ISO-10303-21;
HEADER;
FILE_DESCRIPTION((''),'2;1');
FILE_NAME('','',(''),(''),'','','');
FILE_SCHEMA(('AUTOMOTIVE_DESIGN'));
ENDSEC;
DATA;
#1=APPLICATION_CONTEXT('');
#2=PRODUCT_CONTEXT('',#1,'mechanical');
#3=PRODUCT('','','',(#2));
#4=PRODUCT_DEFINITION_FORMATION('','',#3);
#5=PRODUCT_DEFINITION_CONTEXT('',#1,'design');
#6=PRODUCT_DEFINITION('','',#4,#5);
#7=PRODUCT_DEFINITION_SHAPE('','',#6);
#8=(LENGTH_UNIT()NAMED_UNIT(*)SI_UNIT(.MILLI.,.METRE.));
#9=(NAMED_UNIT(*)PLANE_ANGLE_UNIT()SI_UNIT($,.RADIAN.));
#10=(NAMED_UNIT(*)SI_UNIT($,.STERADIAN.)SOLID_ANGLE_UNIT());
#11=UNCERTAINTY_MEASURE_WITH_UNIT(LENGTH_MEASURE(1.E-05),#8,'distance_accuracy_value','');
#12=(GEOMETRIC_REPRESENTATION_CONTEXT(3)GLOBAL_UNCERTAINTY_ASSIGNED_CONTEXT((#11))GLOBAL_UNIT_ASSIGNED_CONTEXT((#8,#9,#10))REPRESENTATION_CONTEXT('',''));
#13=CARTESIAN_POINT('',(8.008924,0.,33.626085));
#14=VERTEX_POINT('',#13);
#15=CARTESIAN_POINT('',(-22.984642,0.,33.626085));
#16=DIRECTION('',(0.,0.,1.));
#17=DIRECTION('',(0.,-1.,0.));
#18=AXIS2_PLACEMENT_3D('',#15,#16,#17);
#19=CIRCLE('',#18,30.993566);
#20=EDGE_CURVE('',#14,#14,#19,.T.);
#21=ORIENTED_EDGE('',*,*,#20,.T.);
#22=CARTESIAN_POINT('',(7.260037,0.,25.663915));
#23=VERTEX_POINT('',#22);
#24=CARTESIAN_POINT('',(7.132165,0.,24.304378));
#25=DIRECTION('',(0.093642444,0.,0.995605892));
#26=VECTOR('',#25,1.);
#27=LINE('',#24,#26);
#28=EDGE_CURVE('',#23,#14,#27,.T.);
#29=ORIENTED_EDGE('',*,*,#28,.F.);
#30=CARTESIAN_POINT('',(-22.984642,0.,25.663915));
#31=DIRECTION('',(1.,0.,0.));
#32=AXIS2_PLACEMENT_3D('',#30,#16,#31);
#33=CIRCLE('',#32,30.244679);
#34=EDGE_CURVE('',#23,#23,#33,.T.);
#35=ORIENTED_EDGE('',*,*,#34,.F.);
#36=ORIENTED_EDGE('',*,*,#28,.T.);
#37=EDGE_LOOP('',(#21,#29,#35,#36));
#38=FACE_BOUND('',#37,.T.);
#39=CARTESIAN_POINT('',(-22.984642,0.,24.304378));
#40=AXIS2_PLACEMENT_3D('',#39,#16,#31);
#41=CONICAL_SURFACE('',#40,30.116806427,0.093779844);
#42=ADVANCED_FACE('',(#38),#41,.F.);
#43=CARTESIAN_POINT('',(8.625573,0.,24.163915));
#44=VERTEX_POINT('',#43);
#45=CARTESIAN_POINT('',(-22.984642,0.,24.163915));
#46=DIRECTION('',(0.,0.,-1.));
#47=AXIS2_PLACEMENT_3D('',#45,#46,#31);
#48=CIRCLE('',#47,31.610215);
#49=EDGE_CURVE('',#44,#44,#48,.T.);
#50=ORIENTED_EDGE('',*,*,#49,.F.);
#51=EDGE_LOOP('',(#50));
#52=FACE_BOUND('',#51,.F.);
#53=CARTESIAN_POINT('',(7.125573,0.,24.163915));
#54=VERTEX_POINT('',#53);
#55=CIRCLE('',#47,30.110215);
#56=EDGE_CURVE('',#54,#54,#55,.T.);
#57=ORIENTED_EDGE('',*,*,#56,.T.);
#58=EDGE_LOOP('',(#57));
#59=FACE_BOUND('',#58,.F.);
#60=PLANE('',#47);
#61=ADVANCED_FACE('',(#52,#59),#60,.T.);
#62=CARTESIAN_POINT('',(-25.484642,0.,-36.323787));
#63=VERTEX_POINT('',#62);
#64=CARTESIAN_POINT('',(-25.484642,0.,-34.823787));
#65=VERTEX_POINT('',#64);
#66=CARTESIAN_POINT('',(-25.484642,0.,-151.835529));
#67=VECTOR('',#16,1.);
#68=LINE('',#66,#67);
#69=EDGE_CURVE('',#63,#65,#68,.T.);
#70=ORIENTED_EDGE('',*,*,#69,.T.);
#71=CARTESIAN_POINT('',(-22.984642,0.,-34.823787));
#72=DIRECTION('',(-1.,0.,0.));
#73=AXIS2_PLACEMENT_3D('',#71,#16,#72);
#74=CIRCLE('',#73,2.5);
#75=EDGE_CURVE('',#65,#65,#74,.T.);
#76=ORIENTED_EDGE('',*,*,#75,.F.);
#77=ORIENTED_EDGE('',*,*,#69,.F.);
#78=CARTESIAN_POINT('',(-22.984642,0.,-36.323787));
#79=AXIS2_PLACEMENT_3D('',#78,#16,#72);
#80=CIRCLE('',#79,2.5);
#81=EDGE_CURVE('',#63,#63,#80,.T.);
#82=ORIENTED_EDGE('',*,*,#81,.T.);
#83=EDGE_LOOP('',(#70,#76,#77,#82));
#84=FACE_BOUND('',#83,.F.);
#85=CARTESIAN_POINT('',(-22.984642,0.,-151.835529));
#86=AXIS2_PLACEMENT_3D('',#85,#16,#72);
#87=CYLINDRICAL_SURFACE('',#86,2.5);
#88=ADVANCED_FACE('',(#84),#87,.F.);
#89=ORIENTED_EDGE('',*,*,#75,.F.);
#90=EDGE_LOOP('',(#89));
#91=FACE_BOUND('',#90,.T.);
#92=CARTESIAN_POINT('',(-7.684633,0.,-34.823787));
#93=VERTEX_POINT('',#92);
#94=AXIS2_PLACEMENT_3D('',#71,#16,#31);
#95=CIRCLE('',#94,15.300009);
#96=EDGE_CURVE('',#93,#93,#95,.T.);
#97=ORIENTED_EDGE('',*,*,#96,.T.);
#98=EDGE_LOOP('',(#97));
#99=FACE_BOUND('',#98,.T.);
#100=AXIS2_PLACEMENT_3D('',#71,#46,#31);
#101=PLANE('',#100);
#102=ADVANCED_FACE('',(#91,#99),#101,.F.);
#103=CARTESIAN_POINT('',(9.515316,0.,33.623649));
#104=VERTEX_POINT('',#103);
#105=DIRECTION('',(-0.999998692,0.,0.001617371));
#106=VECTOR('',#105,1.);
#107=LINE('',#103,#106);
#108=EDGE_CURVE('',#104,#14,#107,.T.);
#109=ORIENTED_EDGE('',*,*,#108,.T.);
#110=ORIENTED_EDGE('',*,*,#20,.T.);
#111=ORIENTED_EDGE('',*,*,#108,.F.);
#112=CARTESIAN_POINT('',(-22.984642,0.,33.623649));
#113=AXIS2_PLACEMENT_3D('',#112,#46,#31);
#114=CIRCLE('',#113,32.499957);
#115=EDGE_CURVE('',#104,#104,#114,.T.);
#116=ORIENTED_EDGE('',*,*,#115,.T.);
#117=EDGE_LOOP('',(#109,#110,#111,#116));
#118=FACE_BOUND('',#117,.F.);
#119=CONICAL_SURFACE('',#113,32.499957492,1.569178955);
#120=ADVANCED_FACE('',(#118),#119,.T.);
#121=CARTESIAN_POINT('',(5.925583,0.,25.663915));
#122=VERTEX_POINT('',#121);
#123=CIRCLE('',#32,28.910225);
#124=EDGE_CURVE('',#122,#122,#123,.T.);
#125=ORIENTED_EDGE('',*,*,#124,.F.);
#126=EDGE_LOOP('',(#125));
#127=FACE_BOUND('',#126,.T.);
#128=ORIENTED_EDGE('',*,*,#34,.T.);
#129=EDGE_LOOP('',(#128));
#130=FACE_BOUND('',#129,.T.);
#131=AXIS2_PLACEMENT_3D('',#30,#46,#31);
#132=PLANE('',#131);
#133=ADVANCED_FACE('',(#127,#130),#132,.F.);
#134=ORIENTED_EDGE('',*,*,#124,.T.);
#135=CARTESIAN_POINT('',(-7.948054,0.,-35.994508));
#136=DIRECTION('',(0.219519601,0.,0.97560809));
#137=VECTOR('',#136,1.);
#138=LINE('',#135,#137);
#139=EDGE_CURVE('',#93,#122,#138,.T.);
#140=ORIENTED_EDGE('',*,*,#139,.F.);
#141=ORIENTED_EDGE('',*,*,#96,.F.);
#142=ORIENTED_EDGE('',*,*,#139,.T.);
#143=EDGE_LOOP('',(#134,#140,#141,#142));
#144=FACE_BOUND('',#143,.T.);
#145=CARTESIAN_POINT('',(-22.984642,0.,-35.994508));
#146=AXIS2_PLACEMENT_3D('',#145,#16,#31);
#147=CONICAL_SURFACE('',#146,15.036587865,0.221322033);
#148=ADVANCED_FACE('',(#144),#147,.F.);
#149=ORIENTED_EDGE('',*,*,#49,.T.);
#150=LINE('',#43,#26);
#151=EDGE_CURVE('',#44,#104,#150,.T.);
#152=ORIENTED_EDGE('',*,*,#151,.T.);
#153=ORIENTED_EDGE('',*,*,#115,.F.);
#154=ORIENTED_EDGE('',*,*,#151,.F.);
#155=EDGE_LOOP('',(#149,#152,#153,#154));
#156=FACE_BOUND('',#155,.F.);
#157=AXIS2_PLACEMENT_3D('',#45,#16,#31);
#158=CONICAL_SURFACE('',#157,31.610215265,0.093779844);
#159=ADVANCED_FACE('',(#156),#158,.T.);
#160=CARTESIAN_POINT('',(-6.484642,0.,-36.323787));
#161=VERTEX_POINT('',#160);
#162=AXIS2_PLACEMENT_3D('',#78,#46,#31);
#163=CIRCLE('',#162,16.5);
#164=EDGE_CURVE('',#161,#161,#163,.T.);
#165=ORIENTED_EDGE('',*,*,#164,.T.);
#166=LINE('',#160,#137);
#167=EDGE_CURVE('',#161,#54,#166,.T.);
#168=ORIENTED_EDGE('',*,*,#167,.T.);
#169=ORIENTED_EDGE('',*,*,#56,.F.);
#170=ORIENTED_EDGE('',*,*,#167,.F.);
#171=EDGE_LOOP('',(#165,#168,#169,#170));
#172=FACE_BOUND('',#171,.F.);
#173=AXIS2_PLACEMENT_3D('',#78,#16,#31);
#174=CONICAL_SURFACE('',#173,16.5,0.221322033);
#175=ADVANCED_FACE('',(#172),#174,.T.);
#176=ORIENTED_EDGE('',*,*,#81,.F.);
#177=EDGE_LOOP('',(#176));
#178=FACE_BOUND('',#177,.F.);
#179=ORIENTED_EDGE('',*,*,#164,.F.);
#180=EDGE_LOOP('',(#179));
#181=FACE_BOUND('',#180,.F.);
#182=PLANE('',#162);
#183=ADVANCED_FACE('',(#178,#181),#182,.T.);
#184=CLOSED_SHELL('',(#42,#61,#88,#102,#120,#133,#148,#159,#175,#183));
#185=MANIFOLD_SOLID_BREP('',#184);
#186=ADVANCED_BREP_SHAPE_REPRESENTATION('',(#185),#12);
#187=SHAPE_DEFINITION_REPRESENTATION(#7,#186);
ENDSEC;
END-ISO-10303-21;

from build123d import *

# Parameters (mm, degrees)
F2_T = -1.5
F4_D = 5


with BuildPart() as f1:
    # F0 (on Front) → F1 (revolve)
    with BuildSketch(Plane.XZ):
        Polygon((-22.9846419008, 33.67621309), (-22.9846419008, -36.32378691), (-6.4846419008, -36.32378691), (7.1255733644, 24.1639146534), (8.6255733644, 24.1639146534), (9.515315591, 33.62364854), align=None)
    revolve(axis=Axis((-22.9846419008, 0, -1.32378691), (0, 0, -1)))

    # F2
    f2_openings = [f1.faces().sort_by_distance(p)[0] for p in [
        (-39.234621, 0, 33.649931),
    ]]
    offset(amount=F2_T, openings=f2_openings, kind=Kind.INTERSECTION)

    # F4 (through all)
    with Locations(Plane(origin=(0, 0, -36.32378691), x_dir=(1, 0, 0), z_dir=(0, 0, -1))):
        with Locations((-22.9846419008, 0)):
            Hole(F4_D / 2)


solid = f1.part
